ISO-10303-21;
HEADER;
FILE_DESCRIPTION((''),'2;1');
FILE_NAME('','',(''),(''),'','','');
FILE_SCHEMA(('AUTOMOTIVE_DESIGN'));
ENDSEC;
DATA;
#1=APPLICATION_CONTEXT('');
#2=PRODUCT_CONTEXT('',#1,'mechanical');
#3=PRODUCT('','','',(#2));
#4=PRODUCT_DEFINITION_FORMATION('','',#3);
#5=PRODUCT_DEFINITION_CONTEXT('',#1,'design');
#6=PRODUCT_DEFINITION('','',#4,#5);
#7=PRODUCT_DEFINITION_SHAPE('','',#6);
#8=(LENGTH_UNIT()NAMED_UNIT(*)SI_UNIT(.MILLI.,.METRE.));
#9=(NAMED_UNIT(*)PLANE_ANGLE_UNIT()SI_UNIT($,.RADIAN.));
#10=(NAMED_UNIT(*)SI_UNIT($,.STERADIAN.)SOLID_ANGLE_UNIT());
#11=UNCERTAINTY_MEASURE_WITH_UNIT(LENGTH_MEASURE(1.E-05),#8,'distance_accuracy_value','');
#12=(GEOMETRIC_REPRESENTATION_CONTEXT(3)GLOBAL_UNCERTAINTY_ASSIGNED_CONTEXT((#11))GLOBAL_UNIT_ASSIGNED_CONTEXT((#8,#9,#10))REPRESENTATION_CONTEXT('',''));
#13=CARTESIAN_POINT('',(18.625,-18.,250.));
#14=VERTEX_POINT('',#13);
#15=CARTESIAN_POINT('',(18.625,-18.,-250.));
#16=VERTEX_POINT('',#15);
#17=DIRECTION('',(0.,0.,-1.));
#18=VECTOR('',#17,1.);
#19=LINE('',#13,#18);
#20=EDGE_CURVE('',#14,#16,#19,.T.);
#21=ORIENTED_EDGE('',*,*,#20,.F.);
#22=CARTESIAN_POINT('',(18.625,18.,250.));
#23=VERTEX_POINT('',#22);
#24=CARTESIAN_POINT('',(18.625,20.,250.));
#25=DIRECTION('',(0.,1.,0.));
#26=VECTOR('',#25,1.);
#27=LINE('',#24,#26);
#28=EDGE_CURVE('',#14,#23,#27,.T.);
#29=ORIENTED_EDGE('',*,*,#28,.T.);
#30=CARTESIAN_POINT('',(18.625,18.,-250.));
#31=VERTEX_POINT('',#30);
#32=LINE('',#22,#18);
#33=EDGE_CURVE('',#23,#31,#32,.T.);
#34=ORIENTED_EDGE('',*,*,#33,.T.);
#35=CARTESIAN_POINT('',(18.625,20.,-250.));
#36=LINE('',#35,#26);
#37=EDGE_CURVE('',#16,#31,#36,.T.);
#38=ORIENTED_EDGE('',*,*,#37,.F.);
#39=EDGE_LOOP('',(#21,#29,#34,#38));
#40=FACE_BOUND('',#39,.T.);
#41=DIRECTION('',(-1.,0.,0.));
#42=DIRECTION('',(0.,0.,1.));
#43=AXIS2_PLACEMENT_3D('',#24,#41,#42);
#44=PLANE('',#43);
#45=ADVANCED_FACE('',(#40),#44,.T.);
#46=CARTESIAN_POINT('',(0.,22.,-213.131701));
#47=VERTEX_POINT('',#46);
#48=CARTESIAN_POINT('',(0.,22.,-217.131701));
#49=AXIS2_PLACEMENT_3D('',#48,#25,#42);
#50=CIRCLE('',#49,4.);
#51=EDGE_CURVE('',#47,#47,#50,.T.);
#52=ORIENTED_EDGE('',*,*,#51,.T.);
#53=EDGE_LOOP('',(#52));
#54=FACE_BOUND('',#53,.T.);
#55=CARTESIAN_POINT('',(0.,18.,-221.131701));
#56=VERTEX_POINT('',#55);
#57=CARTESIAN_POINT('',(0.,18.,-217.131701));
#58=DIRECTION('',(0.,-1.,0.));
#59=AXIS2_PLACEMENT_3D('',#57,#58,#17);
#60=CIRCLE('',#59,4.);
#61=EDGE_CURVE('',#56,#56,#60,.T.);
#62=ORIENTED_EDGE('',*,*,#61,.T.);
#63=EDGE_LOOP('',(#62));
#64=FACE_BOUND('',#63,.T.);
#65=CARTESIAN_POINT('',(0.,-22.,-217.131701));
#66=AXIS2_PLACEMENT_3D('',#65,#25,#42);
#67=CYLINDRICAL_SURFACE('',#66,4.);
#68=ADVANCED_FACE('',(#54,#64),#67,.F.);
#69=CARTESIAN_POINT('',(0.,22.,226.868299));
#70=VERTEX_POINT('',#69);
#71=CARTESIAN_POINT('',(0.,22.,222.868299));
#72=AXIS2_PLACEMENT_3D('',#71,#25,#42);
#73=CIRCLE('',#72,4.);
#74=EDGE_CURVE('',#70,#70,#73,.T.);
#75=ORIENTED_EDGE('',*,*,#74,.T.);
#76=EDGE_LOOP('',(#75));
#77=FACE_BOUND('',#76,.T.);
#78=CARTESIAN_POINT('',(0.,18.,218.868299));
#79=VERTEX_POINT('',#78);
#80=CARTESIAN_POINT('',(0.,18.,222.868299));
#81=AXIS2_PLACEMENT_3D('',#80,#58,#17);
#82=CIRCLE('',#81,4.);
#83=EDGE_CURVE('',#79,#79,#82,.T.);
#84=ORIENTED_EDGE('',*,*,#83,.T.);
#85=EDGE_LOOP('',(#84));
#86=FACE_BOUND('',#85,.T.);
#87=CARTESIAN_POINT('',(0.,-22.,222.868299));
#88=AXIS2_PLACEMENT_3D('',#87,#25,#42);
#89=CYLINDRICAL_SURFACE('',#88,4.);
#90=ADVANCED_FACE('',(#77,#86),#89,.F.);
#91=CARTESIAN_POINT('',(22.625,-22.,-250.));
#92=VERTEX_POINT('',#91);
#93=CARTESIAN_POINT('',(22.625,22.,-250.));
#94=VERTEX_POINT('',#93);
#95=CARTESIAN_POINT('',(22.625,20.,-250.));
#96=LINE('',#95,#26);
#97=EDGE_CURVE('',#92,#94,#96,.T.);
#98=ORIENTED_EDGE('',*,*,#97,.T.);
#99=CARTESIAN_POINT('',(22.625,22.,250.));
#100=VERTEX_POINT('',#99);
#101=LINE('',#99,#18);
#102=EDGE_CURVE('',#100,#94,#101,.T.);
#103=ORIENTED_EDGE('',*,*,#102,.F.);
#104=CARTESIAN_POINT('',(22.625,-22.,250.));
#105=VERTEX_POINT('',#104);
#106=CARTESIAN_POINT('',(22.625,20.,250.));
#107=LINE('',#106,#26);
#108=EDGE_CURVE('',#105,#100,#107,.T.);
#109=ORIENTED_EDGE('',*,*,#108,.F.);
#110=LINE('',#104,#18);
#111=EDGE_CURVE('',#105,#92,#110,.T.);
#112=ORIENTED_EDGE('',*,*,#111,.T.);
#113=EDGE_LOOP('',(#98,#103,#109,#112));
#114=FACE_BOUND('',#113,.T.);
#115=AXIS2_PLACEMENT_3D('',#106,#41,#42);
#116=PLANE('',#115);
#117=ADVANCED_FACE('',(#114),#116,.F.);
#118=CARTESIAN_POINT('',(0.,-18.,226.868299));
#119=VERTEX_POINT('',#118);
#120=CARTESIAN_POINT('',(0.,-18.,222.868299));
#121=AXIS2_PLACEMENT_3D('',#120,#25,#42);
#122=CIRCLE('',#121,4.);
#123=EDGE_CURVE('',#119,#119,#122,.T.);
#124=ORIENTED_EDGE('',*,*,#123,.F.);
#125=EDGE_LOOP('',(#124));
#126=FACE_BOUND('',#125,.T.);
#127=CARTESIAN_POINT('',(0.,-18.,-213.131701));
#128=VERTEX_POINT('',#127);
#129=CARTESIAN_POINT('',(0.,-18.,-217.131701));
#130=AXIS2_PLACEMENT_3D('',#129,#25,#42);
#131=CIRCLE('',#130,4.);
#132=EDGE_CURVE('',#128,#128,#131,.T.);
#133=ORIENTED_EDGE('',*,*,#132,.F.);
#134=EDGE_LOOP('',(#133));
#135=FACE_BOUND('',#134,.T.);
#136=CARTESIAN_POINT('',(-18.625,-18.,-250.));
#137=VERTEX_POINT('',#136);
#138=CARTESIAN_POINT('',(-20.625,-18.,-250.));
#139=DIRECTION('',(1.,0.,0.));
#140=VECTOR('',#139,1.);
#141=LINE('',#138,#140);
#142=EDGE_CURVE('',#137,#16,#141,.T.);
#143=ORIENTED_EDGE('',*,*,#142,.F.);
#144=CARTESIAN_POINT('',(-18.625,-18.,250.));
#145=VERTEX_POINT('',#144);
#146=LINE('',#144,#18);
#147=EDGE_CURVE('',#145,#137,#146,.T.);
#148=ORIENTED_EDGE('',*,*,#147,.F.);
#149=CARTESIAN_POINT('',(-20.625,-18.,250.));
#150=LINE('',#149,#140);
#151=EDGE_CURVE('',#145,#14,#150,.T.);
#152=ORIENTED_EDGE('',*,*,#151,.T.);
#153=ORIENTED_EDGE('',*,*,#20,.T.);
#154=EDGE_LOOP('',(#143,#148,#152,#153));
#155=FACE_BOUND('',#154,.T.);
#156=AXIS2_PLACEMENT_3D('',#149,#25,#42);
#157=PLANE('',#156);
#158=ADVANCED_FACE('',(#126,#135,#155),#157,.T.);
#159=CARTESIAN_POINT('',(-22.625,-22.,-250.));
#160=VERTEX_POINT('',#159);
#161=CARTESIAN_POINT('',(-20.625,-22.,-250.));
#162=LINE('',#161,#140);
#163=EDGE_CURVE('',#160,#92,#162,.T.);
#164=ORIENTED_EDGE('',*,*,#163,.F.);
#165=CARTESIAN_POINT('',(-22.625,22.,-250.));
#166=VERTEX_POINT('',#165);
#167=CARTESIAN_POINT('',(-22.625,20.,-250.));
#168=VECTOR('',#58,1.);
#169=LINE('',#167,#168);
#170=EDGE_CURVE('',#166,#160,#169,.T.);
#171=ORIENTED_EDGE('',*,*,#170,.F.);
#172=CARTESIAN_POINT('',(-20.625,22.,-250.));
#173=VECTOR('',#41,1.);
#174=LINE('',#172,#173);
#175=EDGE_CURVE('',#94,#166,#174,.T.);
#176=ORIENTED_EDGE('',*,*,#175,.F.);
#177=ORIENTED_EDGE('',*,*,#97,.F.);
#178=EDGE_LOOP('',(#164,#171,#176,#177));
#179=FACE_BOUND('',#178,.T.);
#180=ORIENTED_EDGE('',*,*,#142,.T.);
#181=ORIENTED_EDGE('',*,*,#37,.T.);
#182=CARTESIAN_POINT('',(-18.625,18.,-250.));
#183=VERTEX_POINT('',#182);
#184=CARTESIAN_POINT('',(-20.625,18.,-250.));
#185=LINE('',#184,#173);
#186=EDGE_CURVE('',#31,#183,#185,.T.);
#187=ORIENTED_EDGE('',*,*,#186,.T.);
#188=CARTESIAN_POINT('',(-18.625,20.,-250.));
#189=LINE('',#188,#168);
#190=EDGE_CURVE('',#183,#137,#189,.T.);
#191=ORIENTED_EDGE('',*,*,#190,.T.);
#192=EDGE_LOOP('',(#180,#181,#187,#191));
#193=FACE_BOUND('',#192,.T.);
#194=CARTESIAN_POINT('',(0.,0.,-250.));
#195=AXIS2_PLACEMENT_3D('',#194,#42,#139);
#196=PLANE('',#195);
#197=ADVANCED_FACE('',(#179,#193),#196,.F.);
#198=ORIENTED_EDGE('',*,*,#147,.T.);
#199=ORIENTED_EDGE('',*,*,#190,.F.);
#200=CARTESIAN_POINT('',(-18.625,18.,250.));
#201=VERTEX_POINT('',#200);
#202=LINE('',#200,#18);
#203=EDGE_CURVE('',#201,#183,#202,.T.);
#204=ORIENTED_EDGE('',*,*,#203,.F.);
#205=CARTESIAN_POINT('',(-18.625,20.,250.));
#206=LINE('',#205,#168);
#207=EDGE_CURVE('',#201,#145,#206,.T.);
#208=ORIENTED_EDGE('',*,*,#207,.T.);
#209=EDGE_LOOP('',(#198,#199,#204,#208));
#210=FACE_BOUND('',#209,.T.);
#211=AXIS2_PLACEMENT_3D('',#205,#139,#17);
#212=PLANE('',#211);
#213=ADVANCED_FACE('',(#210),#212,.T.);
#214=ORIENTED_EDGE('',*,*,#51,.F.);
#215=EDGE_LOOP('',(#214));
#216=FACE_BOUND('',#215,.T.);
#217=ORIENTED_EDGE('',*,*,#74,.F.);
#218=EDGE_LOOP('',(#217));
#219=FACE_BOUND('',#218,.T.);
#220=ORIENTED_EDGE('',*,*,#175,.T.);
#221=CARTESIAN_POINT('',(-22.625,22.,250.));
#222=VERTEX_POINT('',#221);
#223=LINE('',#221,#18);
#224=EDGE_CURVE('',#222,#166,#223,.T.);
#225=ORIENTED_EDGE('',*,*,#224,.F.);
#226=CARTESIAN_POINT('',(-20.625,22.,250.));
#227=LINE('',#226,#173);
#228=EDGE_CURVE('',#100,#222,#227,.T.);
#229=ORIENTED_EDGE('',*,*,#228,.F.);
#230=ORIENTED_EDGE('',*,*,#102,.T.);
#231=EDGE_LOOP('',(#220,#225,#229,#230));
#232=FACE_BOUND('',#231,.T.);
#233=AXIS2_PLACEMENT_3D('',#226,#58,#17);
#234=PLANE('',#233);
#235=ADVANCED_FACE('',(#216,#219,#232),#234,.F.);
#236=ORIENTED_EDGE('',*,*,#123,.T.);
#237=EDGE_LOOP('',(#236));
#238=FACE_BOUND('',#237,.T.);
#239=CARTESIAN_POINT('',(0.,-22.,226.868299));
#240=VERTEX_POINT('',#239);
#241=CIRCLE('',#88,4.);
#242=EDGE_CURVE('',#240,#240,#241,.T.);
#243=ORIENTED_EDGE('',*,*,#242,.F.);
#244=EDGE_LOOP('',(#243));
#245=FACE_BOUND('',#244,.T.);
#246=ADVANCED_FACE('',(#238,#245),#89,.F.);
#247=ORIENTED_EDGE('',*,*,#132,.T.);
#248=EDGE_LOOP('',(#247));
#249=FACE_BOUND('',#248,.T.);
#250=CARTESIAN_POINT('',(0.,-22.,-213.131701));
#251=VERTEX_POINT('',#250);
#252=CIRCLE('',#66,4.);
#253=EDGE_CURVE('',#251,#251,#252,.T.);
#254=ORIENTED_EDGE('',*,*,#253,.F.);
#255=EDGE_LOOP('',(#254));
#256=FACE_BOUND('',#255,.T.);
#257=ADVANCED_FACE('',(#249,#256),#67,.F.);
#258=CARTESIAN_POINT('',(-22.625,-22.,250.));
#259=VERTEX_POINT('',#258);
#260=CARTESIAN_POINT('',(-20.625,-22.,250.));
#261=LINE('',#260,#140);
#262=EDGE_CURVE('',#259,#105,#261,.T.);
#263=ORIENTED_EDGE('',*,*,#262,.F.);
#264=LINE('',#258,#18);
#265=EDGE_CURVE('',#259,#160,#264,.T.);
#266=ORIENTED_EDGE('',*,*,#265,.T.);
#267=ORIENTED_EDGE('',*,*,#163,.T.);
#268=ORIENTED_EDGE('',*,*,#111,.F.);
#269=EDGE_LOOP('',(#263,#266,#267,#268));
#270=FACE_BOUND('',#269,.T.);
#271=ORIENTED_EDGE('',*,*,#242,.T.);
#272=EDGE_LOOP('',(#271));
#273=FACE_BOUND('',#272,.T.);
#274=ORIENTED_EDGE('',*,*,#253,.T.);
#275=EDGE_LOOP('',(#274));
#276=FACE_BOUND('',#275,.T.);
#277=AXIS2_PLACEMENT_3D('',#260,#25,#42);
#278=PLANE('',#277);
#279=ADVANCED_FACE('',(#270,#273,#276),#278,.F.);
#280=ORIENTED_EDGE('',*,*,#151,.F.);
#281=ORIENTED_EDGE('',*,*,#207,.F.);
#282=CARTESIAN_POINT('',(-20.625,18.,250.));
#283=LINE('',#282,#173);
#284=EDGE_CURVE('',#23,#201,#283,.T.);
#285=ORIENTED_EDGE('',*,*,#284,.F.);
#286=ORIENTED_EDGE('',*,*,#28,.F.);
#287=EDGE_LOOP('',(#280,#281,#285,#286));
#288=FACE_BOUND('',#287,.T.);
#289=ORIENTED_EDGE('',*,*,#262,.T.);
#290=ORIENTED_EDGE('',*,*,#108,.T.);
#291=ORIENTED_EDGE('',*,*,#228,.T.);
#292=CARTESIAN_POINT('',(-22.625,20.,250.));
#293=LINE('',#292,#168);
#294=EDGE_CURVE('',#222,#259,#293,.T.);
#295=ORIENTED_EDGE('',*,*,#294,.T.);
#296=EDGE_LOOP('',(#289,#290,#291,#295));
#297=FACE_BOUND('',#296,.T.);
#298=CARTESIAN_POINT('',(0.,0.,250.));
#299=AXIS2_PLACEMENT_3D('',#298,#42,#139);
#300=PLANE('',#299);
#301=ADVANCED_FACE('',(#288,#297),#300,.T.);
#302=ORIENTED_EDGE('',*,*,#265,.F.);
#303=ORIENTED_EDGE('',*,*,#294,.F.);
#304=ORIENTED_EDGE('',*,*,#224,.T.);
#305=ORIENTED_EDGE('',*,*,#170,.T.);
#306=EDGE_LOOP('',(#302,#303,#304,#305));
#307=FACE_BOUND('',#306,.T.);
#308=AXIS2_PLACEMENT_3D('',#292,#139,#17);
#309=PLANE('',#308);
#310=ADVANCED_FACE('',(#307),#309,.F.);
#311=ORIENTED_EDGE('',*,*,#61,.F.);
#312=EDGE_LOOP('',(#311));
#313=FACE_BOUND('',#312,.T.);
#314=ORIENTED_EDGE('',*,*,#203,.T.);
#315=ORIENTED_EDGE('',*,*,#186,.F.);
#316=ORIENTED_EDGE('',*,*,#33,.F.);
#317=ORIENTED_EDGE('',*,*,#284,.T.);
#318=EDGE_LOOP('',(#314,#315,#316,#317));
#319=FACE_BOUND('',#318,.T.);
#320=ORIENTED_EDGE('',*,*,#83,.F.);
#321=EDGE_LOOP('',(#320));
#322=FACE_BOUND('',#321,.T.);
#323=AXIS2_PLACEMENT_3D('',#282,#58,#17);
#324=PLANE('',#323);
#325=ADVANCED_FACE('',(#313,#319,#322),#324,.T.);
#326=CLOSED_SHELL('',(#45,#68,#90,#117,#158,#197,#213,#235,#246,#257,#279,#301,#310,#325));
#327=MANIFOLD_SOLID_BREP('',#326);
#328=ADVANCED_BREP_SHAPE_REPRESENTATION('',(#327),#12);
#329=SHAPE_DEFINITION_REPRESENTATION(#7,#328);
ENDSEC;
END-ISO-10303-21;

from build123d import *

# Parameters (mm, degrees)
SKETCH1_W           = 45.25
SKETCH1_H           = 44
SKETCH1_W_2         = 37.25
SKETCH1_H_2         = 36
EXTRUDE_THIN1_DEPTH = 250
SKETCH2_R           = 4
CUT_EXTRUDE1_DEPTH  = 45


with BuildPart() as part:
    # Sketch1 → Extrude-Thin1 (new body, symmetric)
    with BuildSketch(Plane.XY):
        Rectangle(SKETCH1_W, SKETCH1_H)
        Rectangle(SKETCH1_W_2, SKETCH1_H_2, mode=Mode.SUBTRACT)
    extrude(amount=EXTRUDE_THIN1_DEPTH, both=True)

    # Sketch2 → Cut-Extrude1 (cut, through all)
    with BuildSketch(Plane(origin=(0, 22, 0), x_dir=(1, 0, 0), z_dir=(0, 1, 0))):
        with Locations((0, 217.131701203)):
            Circle(SKETCH2_R)
        with Locations((0, -222.868298797)):
            Circle(SKETCH2_R)
    extrude(amount=-CUT_EXTRUDE1_DEPTH, mode=Mode.SUBTRACT)


solid = part.part
